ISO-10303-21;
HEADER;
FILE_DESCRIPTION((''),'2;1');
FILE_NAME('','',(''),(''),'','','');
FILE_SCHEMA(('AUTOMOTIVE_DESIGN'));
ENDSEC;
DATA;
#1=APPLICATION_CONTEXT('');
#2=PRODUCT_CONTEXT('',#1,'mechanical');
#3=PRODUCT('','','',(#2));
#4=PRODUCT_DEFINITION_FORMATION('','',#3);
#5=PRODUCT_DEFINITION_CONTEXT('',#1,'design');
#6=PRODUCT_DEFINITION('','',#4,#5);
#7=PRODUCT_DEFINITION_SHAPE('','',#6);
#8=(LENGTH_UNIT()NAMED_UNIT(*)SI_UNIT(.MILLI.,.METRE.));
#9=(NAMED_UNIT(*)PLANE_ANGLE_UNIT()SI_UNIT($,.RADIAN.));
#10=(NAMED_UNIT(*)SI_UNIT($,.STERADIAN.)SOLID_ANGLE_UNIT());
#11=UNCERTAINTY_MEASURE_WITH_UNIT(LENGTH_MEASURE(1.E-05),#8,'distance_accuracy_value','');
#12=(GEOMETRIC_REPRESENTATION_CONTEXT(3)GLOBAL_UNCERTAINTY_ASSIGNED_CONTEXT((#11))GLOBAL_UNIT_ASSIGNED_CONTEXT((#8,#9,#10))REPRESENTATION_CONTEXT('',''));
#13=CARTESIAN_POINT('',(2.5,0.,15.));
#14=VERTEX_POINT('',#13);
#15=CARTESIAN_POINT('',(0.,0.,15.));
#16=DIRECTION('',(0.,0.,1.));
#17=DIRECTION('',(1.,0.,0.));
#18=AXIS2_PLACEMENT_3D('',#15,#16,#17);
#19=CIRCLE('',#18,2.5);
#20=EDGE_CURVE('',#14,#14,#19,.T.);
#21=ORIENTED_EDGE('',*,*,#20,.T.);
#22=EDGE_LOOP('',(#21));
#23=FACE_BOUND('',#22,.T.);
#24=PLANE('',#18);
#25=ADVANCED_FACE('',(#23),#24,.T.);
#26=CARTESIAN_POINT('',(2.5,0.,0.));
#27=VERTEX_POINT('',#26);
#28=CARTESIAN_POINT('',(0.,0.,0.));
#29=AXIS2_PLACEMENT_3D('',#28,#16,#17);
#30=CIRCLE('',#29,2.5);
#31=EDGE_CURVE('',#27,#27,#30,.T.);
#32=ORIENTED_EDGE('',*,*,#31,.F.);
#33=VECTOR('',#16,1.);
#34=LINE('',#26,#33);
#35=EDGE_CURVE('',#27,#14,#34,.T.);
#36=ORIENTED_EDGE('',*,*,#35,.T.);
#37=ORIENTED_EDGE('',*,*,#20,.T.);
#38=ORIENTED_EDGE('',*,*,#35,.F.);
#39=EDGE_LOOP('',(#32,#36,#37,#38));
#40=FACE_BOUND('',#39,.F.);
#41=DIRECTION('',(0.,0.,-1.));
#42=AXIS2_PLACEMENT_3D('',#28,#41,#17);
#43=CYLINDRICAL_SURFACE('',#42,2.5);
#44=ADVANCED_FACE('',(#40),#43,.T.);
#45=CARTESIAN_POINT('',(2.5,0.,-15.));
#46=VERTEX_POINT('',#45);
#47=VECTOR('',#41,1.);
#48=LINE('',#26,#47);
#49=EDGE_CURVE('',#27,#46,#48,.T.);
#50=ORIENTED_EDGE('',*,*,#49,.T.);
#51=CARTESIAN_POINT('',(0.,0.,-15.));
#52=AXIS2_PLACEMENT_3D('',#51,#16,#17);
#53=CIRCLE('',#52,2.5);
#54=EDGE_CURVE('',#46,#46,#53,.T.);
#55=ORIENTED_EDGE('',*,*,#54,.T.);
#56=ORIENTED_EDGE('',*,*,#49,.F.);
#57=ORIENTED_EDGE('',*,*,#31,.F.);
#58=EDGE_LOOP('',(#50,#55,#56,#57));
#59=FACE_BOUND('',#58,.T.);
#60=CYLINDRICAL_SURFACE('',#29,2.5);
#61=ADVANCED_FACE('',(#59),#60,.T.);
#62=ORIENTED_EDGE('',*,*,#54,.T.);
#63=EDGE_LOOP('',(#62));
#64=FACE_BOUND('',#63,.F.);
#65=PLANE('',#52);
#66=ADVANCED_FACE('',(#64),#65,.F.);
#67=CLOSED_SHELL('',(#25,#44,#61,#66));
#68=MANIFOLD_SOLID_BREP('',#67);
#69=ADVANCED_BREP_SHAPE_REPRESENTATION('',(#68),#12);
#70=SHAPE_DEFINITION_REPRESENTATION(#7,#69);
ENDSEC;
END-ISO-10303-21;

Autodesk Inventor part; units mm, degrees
ref_plane "YZ Plane" through (0, 0, 0) normal (1, 0, 0) x (0, 1, 0)
ref_plane "XZ Plane" through (0, 0, 0) normal (0, 1, 0) x (-1, 0, 0)
ref_plane "XY Plane" through (0, 0, 0) normal (0, 0, 1) x (1, 0, 0)
sketch "Эскиз1" plane through (0, 0, 0) normal (0, 0, 1) x (1, 0, 0)
  circle A0 centre (0, 0) radius 2.5
  dimension "d0" = 5
extrude "Выдавливание1" add sketch "Эскиз1" along normal mid plane 30
properties part number "Палец"
